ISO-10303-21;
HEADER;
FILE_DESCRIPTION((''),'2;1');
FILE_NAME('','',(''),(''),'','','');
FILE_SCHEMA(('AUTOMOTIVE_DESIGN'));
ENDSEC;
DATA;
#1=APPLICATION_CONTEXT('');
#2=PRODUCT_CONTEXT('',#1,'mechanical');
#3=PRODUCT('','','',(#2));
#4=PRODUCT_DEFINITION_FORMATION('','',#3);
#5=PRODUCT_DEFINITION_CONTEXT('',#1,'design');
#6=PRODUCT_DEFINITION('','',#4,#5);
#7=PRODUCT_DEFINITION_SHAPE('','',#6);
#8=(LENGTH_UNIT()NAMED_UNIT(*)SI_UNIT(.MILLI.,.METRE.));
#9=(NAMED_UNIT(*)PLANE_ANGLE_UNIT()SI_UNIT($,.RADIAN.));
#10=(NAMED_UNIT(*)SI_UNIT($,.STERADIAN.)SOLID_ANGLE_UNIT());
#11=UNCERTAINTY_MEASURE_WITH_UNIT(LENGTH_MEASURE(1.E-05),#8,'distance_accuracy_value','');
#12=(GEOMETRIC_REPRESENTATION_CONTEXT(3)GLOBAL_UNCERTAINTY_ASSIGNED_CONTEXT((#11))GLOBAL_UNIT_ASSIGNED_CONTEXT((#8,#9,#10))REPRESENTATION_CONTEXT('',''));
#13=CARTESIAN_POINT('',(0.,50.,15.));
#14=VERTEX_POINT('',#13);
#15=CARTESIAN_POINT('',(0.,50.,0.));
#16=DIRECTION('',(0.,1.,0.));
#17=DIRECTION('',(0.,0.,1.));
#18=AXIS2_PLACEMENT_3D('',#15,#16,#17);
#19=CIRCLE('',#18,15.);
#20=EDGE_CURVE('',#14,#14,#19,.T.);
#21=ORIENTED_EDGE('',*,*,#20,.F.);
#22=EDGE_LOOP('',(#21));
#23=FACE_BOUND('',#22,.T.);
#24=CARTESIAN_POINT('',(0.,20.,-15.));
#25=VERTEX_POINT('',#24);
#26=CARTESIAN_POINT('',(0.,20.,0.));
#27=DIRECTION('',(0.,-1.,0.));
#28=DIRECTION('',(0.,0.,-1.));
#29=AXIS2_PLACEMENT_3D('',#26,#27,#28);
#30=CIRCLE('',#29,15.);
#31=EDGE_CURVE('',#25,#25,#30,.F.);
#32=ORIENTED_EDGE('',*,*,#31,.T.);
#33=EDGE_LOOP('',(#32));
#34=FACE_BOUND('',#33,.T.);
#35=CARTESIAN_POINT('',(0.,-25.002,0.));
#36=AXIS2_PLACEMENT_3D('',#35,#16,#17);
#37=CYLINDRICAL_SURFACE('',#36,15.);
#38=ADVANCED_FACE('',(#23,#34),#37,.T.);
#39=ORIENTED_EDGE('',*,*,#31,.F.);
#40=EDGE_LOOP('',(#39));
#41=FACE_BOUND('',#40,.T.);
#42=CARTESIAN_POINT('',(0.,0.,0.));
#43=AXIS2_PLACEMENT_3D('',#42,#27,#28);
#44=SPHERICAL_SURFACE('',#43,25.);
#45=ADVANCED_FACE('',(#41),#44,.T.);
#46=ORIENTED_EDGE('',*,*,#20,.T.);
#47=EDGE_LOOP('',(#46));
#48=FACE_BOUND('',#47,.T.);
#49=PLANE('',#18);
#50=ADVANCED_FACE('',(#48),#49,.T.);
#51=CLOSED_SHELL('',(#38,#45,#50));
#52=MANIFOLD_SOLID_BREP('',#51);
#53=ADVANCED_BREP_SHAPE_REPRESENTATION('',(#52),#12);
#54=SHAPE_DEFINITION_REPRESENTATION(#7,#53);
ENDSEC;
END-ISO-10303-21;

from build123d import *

# Parameters (mm, degrees)
SKETCH2_R                            = 15
BOSS_EXTRUDE1_DEPTH                  = 25
BOSS_EXTRUDE1_DIRECTION_2_REACH      = 63.237
BOSS_EXTRUDE1_DIRECTION_2_END_RADIUS = 25


with BuildPart() as part:
    # Sketch1 → Revolve1 (revolve)
    with BuildSketch(Plane.XY):
        with BuildLine():
            Line((25, 0), (-25, 0))
            ThreePointArc((-25, 0), (0, 25), (25, 0))
        make_face()
    revolve(axis=Axis((25, 0, 0), (-1, 0, 0)))

    # Sketch2 → Boss-Extrude1 (add)
    with BuildSketch(Plane(origin=(0, 25, 0), x_dir=(1, 0, 0), z_dir=(0, 1, 0))):
        with Locations(Location((0, 0, 0), (0, 0, 270))):
            Circle(SKETCH2_R)
    extrude(amount=BOSS_EXTRUDE1_DEPTH)

    # Boss-Extrude1 direction 2: up to this sphere (the profile starts outside it)
    boss_extrude1_direction_2_end = Location((0, 0, 0)) * Sphere(BOSS_EXTRUDE1_DIRECTION_2_END_RADIUS, mode=Mode.PRIVATE)
    # Sketch2 → Boss-Extrude1 direction 2 (add, up to the surface)
    with BuildSketch(Plane(origin=(0, 25, 0), x_dir=(1, 0, 0), z_dir=(0, 1, 0)), mode=Mode.PRIVATE) as boss_extrude1_direction_2_sk1:
        with Locations(Location((0, 0, 0), (0, 0, 270))):
            Circle(SKETCH2_R)
    boss_extrude1_direction_2_tool1 = extrude(boss_extrude1_direction_2_sk1.sketch, amount=-BOSS_EXTRUDE1_DIRECTION_2_REACH, mode=Mode.PRIVATE) - boss_extrude1_direction_2_end
    add(boss_extrude1_direction_2_tool1.solids().sort_by_distance((0, 25, 0))[0])


solid = part.part
